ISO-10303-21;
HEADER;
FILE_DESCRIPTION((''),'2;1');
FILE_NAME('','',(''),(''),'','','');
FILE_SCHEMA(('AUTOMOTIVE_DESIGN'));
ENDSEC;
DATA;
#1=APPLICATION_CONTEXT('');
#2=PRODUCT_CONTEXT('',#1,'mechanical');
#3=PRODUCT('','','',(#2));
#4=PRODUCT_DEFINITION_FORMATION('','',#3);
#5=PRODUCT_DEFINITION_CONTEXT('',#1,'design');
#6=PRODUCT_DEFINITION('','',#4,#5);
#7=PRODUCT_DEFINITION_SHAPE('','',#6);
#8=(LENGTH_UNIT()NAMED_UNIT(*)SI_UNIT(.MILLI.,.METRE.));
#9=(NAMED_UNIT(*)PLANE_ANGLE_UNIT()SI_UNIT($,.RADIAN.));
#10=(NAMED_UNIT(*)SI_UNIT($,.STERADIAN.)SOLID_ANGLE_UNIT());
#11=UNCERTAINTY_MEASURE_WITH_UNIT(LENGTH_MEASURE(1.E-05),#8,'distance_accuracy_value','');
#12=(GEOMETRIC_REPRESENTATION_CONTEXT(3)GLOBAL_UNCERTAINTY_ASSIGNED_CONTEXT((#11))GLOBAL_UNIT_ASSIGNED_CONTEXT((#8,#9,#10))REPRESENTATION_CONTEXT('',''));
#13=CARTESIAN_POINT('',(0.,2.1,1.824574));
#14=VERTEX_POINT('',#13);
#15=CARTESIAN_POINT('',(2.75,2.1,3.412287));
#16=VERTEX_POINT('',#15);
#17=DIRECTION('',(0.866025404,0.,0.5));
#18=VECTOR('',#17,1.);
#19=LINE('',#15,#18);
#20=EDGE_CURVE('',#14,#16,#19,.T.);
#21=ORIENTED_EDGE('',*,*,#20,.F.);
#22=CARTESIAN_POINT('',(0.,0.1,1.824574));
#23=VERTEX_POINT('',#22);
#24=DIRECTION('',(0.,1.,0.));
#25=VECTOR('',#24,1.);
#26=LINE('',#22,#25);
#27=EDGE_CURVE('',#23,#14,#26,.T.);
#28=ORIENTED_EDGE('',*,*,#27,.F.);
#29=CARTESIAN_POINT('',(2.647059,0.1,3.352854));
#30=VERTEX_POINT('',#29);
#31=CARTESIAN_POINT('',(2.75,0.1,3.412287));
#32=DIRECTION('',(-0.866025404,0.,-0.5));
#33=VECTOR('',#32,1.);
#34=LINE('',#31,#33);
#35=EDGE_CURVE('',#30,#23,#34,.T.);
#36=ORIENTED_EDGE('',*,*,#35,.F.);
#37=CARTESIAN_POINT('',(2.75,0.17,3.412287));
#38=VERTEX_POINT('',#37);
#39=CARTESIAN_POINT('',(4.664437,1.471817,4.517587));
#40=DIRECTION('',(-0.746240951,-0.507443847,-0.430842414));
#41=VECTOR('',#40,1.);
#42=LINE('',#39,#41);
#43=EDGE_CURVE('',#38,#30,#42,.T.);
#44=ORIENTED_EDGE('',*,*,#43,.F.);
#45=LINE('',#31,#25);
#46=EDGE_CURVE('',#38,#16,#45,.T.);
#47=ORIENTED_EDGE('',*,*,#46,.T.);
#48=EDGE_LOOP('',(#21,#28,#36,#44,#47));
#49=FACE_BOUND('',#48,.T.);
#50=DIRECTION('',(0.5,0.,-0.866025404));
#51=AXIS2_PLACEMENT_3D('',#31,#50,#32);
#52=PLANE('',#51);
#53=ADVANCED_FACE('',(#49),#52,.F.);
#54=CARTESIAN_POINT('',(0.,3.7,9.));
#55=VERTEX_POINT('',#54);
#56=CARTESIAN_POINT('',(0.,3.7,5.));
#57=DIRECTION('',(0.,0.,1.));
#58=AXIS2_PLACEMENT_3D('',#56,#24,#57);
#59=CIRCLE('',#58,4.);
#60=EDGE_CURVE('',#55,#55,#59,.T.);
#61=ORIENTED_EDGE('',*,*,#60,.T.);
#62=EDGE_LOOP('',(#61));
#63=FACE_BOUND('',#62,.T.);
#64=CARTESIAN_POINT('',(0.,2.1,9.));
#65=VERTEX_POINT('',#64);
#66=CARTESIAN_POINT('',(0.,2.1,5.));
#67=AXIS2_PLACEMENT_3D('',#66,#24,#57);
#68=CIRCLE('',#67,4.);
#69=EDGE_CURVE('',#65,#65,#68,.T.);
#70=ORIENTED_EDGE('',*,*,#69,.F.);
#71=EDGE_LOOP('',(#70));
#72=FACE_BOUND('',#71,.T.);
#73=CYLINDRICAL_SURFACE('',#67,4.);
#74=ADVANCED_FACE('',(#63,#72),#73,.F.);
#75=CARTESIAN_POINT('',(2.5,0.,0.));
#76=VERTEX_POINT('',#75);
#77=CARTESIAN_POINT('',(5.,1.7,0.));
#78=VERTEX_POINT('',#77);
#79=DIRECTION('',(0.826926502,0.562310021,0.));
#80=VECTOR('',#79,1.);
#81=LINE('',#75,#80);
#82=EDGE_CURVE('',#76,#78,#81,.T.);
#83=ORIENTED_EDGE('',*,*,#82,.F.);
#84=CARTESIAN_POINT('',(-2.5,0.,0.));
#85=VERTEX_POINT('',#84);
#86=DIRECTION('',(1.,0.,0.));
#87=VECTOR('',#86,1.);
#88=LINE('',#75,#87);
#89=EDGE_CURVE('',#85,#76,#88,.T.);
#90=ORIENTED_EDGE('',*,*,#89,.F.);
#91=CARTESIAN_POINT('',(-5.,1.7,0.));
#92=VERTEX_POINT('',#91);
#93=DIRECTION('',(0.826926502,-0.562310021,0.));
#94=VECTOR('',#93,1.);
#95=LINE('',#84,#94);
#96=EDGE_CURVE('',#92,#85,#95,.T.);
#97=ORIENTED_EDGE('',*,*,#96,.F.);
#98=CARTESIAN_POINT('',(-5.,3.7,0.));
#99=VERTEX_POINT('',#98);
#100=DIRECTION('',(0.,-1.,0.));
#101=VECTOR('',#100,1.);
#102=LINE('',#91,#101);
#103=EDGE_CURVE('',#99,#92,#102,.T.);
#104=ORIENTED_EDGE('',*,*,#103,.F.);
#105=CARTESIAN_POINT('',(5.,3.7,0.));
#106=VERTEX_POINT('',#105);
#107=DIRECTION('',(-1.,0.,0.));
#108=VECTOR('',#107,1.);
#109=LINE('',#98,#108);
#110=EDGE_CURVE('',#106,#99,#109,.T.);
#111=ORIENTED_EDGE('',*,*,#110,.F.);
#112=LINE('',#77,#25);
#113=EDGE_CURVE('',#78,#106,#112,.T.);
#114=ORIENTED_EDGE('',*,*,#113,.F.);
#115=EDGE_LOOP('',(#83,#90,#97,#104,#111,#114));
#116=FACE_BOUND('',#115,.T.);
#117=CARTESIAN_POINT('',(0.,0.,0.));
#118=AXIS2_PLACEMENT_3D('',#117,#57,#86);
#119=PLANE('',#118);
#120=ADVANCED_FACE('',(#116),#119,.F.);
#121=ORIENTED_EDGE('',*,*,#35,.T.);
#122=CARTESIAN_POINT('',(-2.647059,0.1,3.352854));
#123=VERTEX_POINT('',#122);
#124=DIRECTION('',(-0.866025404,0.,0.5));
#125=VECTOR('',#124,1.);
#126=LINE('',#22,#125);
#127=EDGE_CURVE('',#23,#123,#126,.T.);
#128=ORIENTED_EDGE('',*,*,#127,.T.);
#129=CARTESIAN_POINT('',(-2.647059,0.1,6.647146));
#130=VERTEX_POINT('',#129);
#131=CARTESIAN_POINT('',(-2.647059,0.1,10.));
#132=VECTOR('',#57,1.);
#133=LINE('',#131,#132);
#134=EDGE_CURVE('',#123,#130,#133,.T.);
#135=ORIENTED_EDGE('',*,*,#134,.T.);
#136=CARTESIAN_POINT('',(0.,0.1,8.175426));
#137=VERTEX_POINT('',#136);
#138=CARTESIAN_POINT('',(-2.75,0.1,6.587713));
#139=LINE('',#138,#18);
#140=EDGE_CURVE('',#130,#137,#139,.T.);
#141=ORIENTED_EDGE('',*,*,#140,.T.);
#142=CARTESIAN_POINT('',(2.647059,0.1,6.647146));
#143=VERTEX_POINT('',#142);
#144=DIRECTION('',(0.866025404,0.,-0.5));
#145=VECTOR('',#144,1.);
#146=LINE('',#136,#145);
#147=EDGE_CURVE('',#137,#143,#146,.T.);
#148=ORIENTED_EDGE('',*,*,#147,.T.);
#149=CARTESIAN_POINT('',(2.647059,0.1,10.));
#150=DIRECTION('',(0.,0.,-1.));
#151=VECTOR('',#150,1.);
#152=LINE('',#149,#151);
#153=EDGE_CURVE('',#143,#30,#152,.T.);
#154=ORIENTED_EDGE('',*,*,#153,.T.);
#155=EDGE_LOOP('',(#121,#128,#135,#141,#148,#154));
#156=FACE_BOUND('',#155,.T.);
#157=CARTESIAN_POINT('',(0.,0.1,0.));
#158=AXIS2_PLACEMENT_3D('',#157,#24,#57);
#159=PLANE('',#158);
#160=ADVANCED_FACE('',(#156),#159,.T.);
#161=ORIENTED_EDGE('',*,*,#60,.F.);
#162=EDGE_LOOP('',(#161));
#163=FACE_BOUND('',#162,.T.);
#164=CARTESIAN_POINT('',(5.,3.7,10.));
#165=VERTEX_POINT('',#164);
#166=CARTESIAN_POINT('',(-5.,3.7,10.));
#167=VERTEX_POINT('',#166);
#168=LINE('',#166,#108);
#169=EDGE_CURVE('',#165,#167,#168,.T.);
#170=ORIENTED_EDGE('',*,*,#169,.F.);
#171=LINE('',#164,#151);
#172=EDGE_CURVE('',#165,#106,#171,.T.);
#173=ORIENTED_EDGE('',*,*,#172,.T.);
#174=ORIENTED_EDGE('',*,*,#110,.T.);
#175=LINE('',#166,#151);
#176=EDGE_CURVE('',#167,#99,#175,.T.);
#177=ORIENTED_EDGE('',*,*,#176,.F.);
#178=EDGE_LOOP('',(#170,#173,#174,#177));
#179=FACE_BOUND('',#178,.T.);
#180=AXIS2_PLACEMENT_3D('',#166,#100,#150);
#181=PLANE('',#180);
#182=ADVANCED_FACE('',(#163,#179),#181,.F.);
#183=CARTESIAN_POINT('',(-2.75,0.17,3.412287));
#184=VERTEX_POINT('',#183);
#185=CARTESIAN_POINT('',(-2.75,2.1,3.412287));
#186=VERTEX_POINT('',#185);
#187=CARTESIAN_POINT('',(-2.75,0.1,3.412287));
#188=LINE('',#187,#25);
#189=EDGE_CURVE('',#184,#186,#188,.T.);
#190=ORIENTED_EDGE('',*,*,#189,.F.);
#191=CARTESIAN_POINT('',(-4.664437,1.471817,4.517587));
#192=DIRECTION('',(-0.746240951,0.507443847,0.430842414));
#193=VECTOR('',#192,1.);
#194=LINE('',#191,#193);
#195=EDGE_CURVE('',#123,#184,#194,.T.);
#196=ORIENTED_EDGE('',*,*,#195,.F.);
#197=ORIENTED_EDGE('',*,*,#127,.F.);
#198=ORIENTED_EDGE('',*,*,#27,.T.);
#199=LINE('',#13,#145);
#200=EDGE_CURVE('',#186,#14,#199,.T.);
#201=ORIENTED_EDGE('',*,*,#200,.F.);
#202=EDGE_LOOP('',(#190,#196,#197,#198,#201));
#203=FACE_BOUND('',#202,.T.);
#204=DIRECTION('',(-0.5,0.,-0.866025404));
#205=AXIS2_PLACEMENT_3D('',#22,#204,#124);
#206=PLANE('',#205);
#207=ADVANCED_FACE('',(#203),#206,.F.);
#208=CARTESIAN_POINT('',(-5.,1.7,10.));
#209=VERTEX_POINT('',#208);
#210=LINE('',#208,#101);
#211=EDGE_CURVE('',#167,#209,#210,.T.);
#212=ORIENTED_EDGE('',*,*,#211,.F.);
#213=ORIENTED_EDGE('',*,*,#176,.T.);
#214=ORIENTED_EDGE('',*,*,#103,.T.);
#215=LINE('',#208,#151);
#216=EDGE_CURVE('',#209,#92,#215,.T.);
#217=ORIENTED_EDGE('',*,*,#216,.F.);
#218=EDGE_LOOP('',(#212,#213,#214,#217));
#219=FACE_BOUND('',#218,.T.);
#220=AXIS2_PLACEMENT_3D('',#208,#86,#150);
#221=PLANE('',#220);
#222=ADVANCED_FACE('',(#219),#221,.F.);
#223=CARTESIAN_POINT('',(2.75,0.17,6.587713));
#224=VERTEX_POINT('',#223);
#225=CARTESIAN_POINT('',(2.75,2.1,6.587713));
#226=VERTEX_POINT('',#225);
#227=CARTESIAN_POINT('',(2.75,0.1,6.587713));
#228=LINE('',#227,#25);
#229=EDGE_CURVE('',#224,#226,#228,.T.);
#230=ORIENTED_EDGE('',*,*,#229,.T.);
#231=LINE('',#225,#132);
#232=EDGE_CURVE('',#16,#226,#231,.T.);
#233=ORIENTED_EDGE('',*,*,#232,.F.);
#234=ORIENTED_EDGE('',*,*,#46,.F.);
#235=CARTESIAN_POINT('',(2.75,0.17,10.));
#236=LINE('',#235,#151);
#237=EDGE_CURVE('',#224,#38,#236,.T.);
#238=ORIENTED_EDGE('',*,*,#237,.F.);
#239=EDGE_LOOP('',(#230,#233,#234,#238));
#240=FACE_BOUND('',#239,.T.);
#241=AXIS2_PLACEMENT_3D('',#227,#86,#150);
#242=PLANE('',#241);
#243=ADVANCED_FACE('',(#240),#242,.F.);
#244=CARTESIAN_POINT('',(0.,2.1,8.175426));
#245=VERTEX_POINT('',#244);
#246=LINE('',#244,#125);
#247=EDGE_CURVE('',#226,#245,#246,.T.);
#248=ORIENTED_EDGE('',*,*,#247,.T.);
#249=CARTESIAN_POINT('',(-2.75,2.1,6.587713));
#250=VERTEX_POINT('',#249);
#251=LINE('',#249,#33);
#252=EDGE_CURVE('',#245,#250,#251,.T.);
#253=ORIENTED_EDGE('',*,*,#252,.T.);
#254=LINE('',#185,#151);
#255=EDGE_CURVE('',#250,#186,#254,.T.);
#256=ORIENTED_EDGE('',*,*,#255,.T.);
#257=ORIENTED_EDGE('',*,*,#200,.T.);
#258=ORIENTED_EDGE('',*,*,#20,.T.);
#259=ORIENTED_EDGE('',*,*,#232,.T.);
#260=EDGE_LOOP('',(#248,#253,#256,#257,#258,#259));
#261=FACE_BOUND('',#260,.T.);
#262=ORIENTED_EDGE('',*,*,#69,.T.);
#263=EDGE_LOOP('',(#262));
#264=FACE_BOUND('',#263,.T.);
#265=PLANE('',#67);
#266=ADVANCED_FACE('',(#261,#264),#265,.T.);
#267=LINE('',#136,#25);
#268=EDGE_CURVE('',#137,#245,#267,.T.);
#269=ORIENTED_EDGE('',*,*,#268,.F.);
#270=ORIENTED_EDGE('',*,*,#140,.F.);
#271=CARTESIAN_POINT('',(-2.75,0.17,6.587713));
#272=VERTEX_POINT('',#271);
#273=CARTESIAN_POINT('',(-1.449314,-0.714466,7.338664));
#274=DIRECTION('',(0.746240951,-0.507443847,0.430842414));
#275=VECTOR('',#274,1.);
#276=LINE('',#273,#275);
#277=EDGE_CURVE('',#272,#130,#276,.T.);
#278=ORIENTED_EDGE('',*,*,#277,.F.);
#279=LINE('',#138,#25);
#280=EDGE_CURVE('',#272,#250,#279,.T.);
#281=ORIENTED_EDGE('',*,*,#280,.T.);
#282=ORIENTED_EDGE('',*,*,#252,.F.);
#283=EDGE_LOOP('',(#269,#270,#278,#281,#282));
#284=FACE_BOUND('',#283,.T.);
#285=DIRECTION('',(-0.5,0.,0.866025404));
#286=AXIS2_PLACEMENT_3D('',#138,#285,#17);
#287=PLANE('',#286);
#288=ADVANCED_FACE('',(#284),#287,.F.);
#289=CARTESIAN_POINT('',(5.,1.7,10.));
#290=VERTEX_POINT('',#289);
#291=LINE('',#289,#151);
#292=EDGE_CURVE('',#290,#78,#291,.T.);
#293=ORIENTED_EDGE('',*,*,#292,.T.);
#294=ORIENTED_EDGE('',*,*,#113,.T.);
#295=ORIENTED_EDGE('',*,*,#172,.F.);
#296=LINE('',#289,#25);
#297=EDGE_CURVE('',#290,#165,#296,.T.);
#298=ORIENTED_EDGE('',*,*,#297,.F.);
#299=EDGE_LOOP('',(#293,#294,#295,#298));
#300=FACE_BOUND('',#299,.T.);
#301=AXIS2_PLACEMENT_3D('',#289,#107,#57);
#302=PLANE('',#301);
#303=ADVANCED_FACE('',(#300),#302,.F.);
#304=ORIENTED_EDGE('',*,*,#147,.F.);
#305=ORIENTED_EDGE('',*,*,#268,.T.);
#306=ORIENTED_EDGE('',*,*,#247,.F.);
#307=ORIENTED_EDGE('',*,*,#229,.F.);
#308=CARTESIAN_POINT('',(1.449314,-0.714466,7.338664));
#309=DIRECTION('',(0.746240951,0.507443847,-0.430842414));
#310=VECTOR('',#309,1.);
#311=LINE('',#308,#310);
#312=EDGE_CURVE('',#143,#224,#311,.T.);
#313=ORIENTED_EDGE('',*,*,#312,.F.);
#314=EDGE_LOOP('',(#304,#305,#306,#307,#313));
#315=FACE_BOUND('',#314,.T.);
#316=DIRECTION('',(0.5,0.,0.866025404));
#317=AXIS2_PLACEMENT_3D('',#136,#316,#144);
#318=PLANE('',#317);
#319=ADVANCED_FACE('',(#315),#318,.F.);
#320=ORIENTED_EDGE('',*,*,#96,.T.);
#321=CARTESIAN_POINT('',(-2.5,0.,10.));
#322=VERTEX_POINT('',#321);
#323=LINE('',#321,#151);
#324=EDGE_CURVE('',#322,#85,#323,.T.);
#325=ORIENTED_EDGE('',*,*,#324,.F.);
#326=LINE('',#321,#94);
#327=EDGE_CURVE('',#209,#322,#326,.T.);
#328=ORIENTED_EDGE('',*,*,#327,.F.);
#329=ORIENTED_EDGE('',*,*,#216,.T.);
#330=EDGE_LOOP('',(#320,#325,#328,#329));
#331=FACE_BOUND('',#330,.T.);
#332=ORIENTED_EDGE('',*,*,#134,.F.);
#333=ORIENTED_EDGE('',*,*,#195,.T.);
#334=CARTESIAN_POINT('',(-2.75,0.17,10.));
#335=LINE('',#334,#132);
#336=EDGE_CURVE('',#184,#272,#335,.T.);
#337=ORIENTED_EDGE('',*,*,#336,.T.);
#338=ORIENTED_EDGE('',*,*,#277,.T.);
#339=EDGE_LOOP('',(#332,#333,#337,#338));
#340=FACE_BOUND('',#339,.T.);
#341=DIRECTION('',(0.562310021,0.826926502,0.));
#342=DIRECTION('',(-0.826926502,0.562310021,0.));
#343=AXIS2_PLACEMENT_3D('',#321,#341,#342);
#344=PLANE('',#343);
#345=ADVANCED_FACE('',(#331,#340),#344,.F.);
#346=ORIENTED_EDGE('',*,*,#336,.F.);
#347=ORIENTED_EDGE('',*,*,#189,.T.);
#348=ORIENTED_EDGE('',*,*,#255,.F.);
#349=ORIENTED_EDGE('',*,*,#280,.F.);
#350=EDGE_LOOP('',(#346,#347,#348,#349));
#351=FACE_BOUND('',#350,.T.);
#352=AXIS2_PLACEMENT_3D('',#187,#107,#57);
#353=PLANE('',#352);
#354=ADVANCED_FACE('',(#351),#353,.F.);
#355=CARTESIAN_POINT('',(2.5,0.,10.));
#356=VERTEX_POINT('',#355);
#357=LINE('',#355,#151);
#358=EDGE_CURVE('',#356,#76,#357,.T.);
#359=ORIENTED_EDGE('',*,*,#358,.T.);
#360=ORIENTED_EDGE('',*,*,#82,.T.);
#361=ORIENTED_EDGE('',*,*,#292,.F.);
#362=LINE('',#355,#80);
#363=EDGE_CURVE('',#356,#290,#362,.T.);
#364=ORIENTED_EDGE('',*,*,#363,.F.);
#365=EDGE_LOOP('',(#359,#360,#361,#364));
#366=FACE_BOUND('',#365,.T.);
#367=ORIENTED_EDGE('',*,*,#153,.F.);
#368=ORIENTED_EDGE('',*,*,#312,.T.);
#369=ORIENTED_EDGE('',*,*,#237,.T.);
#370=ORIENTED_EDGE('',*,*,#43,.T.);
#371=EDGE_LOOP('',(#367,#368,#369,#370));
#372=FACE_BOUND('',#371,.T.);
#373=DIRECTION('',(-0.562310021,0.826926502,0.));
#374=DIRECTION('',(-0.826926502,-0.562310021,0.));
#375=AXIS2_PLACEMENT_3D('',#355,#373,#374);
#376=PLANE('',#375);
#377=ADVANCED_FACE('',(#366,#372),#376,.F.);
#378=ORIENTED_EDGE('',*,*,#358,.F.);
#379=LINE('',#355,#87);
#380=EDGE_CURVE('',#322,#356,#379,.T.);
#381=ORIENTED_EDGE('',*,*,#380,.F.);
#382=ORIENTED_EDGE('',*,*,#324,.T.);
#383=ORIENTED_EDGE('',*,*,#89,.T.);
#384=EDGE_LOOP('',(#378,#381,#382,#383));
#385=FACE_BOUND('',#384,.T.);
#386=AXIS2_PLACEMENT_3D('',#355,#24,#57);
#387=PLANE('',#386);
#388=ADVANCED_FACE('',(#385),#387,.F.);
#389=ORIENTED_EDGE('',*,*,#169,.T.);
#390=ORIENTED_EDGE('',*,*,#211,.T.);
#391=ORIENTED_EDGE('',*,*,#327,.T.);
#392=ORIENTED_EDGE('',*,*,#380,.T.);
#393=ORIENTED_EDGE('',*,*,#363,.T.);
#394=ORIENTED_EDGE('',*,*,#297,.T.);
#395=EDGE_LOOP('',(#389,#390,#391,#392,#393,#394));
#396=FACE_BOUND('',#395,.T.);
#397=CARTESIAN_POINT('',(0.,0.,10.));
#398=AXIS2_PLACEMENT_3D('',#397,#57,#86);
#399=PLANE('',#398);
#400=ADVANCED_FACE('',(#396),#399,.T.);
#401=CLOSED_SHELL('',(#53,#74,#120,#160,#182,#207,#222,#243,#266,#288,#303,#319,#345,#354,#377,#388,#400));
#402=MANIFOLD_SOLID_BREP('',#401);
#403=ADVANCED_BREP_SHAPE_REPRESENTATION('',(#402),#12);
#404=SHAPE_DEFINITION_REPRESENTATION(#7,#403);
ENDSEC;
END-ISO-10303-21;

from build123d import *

# Parameters (mm, degrees)
EXTRUDE_1_DEPTH     = 10
CUT_EXTRUDE_1_DEPTH = 3.6
SKETCH_3_R          = 4
CUT_EXTRUDE_2_DEPTH = 1.6


with BuildPart() as part:
    # Эскиз1 → Бобышка-Вытянуть1 (new body)
    with BuildSketch(Plane.XY):
        Polygon((2.5, 0), (-2.5, 0), (-5, 1.7), (-5, 3.7), (5, 3.7), (5, 1.7), align=None)
    extrude(amount=EXTRUDE_1_DEPTH)

    # Эскиз2 → Вырез-Вытянуть1 (cut)
    with BuildSketch(Plane(origin=(0, 3.7, 0), x_dir=(1, 0, 0), z_dir=(0, 1, 0))):
        Polygon((2.75, -6.58771324), (2.75, -3.41228676), (0, -1.824573519), (-2.75, -3.41228676), (-2.75, -6.58771324), (0, -8.175426481), align=None)
    extrude(amount=-CUT_EXTRUDE_1_DEPTH, mode=Mode.SUBTRACT)

    # Эскиз3 → Вырез-Вытянуть2 (cut)
    with BuildSketch(Plane(origin=(0, 3.7, 0), x_dir=(1, 0, 0), z_dir=(0, 1, 0))):
        with Locations(Location((0, -5, 0), (0, 0, 270))):
            Circle(SKETCH_3_R)
    extrude(amount=-CUT_EXTRUDE_2_DEPTH, mode=Mode.SUBTRACT)


solid = part.part
